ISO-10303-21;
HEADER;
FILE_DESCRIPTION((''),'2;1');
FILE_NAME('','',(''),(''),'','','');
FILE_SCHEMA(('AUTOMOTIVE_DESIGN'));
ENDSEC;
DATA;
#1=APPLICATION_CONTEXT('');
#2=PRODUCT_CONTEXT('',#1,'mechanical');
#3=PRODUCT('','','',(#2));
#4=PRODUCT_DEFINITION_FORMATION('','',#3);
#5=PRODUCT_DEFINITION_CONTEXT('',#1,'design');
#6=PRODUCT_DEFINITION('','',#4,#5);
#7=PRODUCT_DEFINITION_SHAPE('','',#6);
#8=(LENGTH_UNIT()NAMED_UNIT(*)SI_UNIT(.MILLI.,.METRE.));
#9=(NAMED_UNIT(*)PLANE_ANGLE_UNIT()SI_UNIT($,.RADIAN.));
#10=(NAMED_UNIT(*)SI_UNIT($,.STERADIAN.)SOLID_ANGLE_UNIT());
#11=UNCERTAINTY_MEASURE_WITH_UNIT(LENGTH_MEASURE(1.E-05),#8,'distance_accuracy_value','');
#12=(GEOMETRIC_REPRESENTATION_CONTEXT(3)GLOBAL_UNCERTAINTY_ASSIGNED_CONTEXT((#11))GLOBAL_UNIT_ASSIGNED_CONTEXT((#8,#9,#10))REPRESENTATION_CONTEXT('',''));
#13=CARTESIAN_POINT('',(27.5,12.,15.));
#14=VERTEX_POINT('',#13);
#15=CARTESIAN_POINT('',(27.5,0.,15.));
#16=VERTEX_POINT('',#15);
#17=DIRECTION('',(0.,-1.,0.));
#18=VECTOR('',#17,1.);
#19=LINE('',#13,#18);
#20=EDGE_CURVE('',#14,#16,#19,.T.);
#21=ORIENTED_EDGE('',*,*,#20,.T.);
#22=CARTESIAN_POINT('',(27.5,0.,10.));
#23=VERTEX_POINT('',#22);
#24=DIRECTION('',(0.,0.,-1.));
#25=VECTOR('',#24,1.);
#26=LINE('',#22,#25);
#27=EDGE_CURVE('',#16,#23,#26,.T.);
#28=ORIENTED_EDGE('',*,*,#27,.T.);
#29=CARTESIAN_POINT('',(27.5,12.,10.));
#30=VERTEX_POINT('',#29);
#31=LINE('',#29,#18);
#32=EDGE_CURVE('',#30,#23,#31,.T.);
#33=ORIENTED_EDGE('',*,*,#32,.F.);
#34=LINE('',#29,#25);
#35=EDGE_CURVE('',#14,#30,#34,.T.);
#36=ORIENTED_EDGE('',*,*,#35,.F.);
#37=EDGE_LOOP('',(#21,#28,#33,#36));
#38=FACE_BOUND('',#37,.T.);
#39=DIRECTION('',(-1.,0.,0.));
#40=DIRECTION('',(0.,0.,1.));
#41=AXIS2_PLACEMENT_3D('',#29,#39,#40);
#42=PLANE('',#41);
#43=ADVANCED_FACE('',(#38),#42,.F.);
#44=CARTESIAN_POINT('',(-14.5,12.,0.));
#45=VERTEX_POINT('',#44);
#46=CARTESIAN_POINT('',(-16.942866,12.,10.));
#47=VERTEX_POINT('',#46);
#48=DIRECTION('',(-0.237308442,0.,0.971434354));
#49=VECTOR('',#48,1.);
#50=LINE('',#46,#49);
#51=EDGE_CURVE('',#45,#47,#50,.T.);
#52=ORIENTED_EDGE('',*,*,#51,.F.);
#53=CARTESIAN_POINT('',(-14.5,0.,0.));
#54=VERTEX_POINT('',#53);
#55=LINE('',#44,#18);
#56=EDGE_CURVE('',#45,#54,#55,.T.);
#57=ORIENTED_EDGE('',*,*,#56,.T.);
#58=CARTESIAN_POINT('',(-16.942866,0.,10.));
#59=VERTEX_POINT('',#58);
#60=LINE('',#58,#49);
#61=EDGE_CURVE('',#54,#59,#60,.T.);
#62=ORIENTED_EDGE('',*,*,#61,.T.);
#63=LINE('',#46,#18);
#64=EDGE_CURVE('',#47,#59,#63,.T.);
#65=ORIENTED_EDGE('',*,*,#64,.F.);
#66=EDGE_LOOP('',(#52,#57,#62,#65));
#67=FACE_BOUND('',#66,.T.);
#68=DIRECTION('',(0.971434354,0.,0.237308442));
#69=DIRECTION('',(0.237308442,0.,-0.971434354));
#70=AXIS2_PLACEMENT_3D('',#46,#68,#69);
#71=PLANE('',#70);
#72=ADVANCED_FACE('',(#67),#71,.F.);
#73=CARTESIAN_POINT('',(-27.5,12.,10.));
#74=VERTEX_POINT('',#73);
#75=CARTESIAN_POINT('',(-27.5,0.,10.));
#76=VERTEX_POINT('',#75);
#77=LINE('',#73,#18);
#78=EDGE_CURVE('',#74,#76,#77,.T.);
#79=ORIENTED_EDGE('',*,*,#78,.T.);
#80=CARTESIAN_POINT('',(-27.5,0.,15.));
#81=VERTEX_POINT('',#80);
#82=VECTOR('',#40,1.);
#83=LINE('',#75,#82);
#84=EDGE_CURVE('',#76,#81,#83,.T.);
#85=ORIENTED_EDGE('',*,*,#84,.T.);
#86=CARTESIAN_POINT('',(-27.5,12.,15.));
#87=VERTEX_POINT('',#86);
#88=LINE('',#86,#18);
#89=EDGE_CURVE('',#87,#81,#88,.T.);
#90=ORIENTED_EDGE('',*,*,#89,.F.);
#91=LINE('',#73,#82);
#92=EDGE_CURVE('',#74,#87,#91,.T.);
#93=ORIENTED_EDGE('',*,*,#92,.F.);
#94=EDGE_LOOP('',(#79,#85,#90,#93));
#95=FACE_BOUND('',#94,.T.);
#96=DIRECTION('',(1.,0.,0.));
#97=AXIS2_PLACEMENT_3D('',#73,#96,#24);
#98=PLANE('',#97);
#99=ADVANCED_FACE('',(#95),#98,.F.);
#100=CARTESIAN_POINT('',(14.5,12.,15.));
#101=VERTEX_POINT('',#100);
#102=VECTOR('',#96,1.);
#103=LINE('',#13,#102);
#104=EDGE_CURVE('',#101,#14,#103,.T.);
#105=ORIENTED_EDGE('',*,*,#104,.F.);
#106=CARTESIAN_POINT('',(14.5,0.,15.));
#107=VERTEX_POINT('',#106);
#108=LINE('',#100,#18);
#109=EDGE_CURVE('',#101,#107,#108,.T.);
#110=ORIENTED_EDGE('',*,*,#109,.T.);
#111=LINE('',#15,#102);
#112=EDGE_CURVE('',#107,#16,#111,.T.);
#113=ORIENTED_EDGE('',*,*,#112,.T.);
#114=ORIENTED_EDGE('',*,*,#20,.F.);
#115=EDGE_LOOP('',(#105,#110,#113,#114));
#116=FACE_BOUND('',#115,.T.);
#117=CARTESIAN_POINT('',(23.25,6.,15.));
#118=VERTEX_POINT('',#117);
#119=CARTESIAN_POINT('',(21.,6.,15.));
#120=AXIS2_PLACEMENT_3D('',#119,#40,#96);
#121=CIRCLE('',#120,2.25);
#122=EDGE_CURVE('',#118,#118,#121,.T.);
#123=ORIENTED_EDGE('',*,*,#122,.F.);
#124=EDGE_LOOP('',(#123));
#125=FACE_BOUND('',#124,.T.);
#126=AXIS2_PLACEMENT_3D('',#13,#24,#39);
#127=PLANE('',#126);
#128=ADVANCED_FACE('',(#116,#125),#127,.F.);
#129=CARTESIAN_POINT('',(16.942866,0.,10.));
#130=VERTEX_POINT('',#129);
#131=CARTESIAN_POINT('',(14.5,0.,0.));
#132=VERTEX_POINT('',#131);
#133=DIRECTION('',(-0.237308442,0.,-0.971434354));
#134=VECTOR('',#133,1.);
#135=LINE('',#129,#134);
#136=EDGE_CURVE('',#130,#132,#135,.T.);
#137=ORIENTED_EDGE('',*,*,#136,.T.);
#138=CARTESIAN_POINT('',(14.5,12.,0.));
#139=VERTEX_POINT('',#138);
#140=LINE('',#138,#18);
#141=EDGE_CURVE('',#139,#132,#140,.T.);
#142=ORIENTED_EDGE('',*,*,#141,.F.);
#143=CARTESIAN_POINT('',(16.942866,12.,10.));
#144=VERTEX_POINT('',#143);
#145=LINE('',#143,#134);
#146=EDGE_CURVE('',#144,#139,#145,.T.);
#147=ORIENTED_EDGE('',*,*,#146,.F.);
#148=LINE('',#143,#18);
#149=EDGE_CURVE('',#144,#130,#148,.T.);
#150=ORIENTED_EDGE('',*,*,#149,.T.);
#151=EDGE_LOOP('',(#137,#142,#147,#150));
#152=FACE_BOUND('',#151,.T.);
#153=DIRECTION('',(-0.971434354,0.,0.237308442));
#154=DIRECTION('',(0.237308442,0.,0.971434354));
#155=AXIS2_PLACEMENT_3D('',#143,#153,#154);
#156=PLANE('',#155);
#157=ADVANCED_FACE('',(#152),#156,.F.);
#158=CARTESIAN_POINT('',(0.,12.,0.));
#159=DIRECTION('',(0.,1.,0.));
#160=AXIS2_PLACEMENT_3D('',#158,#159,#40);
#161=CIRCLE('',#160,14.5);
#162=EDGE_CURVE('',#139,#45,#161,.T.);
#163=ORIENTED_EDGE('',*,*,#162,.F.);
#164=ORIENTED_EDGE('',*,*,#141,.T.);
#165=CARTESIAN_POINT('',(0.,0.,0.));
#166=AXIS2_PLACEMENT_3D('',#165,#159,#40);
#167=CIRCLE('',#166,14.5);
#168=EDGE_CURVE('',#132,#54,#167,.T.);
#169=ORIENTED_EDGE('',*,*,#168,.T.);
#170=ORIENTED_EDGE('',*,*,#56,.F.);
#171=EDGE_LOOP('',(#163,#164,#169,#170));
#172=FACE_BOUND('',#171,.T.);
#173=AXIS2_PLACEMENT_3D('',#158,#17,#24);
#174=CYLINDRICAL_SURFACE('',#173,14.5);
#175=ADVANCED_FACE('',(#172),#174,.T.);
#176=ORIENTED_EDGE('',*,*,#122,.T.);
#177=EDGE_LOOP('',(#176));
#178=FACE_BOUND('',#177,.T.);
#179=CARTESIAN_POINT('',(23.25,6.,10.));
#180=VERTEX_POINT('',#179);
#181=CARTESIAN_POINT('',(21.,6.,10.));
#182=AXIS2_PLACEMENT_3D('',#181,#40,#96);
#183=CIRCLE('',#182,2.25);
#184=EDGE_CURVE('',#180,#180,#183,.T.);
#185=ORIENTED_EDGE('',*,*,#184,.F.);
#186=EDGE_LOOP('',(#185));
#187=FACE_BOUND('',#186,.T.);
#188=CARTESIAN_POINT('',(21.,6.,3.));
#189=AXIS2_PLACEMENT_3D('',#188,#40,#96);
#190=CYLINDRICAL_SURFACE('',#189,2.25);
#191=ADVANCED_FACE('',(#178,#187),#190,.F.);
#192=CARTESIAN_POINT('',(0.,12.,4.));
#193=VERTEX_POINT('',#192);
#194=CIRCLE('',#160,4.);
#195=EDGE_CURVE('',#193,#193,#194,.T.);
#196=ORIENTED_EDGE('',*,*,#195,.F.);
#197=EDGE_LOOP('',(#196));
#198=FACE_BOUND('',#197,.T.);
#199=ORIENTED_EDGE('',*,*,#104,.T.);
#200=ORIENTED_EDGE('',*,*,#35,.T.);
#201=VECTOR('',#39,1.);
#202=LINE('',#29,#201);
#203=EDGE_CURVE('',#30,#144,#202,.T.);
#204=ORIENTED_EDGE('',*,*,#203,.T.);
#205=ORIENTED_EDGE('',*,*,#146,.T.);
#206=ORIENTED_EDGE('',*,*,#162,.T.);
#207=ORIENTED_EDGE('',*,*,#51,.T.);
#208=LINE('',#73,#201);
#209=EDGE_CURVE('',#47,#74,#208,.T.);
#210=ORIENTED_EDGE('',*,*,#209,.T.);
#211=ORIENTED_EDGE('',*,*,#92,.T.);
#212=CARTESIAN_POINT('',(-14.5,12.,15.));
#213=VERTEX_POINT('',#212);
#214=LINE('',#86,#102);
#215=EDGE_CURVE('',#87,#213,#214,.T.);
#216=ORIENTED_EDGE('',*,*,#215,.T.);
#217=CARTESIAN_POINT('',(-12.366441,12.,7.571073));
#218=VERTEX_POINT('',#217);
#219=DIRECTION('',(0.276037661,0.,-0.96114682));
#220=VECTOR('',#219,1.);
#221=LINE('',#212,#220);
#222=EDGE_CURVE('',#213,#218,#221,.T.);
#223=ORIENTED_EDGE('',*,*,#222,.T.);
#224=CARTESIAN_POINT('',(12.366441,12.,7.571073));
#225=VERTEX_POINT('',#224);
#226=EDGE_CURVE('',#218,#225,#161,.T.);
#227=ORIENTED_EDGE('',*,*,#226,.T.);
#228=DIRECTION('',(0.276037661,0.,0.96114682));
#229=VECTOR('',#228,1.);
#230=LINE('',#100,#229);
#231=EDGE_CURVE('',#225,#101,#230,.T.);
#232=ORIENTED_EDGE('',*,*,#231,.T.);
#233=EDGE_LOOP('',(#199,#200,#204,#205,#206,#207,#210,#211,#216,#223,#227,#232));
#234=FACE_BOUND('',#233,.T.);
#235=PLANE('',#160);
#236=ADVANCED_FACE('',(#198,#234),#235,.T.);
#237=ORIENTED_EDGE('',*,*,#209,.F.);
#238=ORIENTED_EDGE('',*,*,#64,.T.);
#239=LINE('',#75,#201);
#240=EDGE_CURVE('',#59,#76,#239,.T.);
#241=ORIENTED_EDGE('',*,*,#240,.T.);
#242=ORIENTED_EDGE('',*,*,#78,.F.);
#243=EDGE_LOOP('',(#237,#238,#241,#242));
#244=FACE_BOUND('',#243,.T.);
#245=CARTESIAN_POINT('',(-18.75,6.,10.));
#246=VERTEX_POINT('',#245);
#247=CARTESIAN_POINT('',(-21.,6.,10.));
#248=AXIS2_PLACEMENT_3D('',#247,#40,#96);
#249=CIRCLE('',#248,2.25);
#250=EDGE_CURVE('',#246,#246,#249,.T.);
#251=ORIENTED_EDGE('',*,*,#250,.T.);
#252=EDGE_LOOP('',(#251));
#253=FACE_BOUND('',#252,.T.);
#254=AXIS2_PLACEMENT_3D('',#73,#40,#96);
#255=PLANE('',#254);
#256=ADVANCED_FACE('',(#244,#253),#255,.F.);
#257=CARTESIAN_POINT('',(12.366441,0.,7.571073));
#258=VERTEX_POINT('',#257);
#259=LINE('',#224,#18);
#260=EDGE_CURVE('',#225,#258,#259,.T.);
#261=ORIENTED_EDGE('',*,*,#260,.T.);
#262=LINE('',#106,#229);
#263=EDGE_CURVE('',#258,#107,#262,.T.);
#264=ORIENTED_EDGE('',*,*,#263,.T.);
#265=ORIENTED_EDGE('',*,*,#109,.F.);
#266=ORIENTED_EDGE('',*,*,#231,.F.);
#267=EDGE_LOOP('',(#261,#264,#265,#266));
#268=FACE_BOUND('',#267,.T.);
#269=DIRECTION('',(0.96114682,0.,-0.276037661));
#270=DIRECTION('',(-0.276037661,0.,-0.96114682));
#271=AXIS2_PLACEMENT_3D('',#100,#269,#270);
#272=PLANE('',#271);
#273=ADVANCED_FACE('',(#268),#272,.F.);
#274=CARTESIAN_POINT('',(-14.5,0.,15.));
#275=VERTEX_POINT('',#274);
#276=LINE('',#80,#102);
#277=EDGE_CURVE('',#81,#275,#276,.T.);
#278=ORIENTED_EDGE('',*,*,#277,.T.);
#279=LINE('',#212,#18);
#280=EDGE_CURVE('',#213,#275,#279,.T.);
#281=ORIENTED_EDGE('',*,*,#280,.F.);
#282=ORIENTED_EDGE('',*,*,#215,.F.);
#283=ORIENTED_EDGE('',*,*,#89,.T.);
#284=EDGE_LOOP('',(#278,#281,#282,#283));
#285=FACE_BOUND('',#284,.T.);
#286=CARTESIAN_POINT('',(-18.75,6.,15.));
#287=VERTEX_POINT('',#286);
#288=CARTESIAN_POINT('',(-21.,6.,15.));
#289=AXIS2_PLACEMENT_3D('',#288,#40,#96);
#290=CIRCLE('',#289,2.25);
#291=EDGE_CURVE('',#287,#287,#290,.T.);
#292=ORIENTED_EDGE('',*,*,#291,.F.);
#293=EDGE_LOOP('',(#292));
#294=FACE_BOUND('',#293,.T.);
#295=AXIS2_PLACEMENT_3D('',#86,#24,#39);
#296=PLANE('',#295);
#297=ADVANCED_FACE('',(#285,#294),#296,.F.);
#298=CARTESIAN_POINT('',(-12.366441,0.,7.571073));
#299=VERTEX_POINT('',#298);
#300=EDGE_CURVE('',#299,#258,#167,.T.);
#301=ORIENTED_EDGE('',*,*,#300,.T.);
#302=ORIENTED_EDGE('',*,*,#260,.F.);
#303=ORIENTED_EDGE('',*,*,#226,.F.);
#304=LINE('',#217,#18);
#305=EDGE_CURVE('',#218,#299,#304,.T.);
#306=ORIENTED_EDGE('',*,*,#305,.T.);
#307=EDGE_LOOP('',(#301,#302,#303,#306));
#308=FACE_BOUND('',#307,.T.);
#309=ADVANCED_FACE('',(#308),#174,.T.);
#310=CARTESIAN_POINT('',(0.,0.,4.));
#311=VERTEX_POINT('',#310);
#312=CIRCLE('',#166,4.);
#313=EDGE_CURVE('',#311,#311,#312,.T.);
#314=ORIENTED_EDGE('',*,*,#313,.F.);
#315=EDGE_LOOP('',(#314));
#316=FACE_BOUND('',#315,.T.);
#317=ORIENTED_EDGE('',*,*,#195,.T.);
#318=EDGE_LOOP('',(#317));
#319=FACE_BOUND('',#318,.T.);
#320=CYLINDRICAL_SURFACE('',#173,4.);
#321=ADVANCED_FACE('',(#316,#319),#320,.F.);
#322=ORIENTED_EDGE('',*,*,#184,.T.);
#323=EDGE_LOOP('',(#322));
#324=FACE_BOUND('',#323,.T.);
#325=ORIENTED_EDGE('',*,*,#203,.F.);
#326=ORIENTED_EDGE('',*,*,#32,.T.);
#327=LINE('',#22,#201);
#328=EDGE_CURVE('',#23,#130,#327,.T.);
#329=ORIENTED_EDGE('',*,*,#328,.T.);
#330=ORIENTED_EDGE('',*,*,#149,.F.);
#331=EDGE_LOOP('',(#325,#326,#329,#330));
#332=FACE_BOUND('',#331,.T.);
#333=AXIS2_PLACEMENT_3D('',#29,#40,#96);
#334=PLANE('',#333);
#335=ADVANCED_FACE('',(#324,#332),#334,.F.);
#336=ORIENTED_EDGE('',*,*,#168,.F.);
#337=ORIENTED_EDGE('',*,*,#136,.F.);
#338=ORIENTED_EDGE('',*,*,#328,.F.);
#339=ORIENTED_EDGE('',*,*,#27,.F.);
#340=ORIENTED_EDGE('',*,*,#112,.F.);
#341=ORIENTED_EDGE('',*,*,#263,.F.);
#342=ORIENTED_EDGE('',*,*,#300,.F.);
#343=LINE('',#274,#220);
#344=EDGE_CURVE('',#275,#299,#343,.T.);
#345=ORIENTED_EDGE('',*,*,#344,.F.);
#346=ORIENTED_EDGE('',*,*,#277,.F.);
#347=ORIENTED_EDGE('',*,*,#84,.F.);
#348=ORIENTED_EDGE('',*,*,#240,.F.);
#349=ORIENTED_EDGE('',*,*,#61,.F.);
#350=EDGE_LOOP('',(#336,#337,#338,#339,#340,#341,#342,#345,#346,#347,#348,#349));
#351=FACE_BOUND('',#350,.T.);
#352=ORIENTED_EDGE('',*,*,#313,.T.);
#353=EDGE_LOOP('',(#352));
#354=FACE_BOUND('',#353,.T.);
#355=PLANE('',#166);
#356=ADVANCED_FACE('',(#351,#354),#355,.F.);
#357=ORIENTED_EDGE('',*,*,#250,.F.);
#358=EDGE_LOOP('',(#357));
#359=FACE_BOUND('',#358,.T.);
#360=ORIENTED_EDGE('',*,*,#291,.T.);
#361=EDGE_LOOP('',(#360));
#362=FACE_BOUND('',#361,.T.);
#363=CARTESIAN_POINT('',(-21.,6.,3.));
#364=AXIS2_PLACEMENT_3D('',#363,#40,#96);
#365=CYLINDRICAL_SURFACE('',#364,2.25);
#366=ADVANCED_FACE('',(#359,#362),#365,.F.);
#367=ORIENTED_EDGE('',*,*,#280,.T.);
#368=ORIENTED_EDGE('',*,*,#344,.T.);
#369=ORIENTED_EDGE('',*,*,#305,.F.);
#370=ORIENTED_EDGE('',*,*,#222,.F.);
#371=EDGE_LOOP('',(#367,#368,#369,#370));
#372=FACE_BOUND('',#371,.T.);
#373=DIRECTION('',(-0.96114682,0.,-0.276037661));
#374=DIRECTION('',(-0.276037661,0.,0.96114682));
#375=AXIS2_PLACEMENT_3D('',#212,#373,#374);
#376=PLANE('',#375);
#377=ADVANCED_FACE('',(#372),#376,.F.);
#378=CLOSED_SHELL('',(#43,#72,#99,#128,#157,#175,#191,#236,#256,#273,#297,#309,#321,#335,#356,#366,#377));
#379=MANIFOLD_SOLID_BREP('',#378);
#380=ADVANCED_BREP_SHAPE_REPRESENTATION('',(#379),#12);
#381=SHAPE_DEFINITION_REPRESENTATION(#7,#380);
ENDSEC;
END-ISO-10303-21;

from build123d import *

# Parameters (mm, degrees)
SKETCH1_R           = 4
BOSS_EXTRUDE1_DEPTH = 12
SKETCH2_R           = 2.25
CUT_EXTRUDE1_DEPTH  = 12


with BuildPart() as part:
    # Sketch1 → Boss-Extrude1 (new body)
    with BuildSketch(Plane(origin=(0, 0, 0), x_dir=(1, 0, 0), z_dir=(0, 1, 0))):
        with BuildLine():
            Line((-27.5, -10), (-27.5, -15))
            Line((-27.5, -15), (-14.5, -15))
            Line((-14.5, -15), (-12.366440747, -7.571072794))
            ThreePointArc((-12.366440747, -7.571072794), (0, -14.5), (12.366440747, -7.571072794))
            Line((12.366440747, -7.571072794), (14.5, -15))
            Line((14.5, -15), (27.5, -15))
            Line((27.5, -15), (27.5, -10))
            Line((27.5, -10), (16.942866484, -10))
            Line((16.942866484, -10), (14.5, 0))
            ThreePointArc((14.5, 0), (0, 14.5), (-14.5, 0))
            Line((-14.5, 0), (-16.942866484, -10))
            Line((-16.942866484, -10), (-27.5, -10))
        make_face()
        Circle(SKETCH1_R, mode=Mode.SUBTRACT)
    extrude(amount=BOSS_EXTRUDE1_DEPTH)

    # Sketch2 → Cut-Extrude1 (cut)
    with BuildSketch(Plane.XY.offset(15)):
        with Locations((-21, 6)):
            Circle(SKETCH2_R)
        with Locations((21, 6)):
            Circle(SKETCH2_R)
    extrude(amount=-CUT_EXTRUDE1_DEPTH, mode=Mode.SUBTRACT)


solid = part.part
